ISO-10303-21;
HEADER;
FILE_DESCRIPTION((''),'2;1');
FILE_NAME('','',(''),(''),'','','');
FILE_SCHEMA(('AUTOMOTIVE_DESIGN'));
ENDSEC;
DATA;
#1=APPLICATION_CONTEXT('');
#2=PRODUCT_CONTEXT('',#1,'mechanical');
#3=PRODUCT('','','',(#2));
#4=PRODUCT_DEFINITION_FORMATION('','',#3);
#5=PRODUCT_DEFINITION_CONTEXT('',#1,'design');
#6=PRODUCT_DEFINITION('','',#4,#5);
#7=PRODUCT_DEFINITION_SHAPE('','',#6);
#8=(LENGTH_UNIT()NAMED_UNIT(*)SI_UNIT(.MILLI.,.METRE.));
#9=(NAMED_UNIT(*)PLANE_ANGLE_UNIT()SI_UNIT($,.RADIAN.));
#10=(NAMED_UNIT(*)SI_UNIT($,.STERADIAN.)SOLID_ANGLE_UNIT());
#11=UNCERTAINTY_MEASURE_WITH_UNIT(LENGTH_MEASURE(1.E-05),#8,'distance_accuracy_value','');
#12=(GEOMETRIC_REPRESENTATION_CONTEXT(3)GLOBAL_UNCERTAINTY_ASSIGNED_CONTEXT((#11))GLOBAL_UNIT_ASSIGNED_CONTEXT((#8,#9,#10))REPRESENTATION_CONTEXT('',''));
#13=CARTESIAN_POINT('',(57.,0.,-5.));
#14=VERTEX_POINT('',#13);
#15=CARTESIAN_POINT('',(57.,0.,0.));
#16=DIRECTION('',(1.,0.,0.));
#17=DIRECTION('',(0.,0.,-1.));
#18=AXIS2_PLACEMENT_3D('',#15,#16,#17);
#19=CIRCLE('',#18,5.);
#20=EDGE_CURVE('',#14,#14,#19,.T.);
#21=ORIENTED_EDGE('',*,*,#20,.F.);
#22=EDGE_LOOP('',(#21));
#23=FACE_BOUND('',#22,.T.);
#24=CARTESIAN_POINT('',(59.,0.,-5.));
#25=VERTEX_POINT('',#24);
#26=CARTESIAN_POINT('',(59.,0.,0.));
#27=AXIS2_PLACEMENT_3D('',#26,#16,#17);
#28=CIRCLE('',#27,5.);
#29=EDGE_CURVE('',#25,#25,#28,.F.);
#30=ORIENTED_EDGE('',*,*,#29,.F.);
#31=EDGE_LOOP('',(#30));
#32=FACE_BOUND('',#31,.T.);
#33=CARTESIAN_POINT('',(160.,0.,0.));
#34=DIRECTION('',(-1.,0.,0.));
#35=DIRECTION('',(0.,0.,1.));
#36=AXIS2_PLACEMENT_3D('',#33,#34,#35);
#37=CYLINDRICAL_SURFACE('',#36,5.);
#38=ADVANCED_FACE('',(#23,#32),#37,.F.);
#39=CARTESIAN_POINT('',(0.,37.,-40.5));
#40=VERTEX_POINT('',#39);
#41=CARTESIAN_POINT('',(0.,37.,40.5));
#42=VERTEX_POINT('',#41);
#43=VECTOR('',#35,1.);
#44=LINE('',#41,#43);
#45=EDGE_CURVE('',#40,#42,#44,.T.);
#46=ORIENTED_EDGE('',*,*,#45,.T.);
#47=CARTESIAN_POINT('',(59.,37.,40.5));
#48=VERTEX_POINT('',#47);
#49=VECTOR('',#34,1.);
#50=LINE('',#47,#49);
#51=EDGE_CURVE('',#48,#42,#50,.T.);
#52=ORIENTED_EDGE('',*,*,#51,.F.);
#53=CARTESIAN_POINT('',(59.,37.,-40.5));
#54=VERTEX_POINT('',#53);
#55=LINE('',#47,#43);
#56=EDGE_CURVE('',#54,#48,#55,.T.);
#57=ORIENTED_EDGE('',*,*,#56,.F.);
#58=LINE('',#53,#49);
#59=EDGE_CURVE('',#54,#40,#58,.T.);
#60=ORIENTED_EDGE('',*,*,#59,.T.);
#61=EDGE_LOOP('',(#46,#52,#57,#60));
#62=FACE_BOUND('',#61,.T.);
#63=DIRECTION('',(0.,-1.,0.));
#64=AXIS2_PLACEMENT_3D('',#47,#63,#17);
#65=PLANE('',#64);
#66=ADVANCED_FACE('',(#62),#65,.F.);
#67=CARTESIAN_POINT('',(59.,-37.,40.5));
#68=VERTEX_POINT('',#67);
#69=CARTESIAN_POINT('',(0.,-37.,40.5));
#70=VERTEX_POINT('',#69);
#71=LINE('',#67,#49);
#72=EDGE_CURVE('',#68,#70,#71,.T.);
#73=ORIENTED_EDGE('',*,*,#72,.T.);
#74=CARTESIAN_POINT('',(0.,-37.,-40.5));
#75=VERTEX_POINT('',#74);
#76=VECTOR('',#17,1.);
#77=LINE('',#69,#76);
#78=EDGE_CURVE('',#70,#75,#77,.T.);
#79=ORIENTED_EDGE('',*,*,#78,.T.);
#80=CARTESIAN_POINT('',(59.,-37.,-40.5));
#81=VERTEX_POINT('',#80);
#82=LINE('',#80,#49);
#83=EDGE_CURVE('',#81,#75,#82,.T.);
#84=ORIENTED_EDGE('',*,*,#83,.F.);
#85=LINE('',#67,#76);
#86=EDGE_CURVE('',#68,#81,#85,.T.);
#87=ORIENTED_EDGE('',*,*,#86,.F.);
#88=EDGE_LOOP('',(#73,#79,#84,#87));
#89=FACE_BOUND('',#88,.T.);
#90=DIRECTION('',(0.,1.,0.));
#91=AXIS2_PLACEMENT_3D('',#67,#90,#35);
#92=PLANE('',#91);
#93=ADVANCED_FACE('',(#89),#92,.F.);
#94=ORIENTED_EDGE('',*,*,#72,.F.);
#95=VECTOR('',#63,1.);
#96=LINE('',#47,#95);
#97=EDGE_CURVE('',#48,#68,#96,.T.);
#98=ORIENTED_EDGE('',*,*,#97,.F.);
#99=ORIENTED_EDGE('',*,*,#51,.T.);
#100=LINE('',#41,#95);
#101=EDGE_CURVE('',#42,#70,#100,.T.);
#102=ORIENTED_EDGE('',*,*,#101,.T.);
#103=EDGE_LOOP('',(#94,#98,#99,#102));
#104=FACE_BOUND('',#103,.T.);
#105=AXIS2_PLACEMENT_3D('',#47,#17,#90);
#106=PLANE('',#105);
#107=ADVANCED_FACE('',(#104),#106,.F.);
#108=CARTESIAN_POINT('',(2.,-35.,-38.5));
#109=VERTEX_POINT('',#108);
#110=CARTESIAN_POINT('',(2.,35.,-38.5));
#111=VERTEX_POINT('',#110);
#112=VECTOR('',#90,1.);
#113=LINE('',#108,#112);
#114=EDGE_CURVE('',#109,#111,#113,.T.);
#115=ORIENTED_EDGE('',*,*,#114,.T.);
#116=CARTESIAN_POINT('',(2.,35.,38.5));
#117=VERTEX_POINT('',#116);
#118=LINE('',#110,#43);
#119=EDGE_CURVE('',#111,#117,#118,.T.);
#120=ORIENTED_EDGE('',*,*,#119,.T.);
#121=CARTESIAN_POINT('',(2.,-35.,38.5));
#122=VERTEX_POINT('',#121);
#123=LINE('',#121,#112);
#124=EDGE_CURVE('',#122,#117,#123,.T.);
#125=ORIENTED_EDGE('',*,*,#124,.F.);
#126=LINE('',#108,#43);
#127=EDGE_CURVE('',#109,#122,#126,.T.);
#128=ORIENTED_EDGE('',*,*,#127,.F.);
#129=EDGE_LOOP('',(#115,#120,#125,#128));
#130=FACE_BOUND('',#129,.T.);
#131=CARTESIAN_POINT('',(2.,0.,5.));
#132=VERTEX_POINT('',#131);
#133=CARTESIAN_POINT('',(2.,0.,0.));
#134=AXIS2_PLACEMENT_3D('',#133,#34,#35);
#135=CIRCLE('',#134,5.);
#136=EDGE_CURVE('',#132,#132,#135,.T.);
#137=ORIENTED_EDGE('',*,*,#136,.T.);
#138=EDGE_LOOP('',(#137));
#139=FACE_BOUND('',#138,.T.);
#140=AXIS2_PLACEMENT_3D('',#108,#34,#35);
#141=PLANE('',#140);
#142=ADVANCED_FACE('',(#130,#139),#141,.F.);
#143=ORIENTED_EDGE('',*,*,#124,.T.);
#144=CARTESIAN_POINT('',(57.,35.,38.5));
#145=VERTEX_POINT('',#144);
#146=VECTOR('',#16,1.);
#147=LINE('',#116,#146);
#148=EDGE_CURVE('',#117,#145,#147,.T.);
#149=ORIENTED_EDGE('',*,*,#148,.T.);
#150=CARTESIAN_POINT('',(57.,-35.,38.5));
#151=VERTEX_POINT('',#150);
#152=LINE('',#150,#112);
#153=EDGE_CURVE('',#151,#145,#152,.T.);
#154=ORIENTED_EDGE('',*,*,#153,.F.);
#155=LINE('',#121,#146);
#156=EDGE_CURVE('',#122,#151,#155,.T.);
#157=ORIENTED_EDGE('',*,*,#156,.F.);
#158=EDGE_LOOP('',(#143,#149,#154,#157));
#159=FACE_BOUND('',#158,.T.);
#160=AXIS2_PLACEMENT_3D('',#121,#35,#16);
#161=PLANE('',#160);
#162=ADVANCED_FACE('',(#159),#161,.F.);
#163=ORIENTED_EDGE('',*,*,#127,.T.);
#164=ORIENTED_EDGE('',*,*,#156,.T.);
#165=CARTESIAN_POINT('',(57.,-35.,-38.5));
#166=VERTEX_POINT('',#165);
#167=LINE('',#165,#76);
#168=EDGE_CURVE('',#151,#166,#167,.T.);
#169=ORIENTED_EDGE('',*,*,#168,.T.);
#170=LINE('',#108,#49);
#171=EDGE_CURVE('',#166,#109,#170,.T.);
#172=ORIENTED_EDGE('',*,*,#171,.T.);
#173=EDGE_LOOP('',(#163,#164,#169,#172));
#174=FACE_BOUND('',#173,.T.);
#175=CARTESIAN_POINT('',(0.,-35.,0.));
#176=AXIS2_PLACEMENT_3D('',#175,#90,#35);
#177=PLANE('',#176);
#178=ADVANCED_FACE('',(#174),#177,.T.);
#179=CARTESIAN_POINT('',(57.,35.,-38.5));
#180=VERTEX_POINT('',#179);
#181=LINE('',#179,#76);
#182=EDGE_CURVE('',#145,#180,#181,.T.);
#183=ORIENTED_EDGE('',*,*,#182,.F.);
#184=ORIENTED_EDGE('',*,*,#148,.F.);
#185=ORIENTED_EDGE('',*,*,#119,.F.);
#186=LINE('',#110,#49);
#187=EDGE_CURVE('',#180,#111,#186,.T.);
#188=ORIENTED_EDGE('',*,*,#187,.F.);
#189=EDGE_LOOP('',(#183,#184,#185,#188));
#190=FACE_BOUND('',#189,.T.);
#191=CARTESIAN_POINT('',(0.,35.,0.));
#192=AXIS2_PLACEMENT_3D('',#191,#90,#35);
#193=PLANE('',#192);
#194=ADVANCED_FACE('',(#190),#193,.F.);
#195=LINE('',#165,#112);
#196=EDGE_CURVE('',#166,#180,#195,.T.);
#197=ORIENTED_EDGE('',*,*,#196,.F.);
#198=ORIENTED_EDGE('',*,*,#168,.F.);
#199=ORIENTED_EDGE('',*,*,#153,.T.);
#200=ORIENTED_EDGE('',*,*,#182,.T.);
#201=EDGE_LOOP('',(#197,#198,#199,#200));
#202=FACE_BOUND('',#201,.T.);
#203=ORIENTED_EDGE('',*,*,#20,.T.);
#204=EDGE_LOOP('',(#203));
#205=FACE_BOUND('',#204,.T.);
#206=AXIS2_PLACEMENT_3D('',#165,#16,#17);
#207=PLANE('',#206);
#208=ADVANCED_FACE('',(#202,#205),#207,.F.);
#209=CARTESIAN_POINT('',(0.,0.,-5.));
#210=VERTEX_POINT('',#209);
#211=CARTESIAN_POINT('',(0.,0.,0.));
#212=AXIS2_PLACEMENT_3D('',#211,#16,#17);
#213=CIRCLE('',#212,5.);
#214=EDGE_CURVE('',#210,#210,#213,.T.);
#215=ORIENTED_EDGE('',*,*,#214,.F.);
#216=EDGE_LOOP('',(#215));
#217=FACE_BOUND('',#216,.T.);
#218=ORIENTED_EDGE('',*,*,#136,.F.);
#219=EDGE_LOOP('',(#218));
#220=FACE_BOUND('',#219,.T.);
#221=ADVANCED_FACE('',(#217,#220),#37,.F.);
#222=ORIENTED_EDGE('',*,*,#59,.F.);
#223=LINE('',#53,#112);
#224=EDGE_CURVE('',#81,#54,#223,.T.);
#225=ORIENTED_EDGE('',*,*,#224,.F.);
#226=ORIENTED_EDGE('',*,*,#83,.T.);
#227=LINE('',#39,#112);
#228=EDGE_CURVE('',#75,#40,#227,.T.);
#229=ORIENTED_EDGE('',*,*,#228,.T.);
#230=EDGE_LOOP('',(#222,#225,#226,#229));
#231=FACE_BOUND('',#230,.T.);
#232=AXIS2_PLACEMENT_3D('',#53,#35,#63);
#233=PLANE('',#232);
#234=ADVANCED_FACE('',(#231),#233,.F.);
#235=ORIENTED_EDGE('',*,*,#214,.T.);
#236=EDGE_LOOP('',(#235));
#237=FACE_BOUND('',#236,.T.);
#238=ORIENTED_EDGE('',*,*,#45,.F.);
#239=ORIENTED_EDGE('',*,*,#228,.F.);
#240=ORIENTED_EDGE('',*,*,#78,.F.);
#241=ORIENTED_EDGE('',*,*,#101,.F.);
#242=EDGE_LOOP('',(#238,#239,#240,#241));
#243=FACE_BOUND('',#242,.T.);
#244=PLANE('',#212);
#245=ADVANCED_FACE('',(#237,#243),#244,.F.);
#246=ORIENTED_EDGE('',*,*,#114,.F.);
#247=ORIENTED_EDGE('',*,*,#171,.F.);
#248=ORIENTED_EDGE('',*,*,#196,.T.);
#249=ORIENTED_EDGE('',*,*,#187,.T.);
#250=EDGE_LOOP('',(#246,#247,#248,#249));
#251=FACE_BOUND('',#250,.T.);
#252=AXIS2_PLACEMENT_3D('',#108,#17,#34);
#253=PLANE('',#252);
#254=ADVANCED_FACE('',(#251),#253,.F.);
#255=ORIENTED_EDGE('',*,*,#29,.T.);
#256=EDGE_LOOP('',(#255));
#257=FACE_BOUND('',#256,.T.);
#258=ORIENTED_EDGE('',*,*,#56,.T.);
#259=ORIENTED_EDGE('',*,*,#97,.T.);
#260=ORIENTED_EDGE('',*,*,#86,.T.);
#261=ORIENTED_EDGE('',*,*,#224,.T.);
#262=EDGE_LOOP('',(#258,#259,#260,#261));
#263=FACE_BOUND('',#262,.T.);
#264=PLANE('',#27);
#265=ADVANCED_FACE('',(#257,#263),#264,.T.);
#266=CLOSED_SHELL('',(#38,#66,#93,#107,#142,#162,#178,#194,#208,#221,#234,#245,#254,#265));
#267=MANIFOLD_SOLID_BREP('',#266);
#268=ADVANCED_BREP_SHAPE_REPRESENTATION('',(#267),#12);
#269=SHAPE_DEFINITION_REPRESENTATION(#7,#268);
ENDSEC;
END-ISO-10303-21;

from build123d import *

# Parameters (mm, degrees)
SKETCH1_W           = 81
SKETCH1_H           = 74
BOSS_EXTRUDE1_DEPTH = 59
SKETCH3_R           = 5
CUT_EXTRUDE1_DEPTH  = 160
SKETCH4_W           = 55
SKETCH4_H           = 77
CUT_EXTRUDE2_DEPTH  = 70


with BuildPart() as part:
    # Sketch1 → Boss-Extrude1 (new body)
    with BuildSketch(Plane(origin=(0, 0, 0), x_dir=(0, 0, -1), z_dir=(1, 0, 0))):
        Rectangle(SKETCH1_W, SKETCH1_H)
    extrude(amount=BOSS_EXTRUDE1_DEPTH)

    # Sketch3 → Cut-Extrude1 (cut)
    with BuildSketch(Plane(origin=(0, 0, 0), x_dir=(0, 0, -1), z_dir=(1, 0, 0))):
        Circle(SKETCH3_R)
    extrude(amount=CUT_EXTRUDE1_DEPTH, mode=Mode.SUBTRACT)

    # Sketch4 → Cut-Extrude2 (cut)
    with BuildSketch(Plane(origin=(0, 35, 0), x_dir=(1, 0, 0), z_dir=(0, 1, 0))):
        with Locations((29.5, 0)):
            Rectangle(SKETCH4_W, SKETCH4_H)
    extrude(amount=-CUT_EXTRUDE2_DEPTH, mode=Mode.SUBTRACT)


solid = part.part
